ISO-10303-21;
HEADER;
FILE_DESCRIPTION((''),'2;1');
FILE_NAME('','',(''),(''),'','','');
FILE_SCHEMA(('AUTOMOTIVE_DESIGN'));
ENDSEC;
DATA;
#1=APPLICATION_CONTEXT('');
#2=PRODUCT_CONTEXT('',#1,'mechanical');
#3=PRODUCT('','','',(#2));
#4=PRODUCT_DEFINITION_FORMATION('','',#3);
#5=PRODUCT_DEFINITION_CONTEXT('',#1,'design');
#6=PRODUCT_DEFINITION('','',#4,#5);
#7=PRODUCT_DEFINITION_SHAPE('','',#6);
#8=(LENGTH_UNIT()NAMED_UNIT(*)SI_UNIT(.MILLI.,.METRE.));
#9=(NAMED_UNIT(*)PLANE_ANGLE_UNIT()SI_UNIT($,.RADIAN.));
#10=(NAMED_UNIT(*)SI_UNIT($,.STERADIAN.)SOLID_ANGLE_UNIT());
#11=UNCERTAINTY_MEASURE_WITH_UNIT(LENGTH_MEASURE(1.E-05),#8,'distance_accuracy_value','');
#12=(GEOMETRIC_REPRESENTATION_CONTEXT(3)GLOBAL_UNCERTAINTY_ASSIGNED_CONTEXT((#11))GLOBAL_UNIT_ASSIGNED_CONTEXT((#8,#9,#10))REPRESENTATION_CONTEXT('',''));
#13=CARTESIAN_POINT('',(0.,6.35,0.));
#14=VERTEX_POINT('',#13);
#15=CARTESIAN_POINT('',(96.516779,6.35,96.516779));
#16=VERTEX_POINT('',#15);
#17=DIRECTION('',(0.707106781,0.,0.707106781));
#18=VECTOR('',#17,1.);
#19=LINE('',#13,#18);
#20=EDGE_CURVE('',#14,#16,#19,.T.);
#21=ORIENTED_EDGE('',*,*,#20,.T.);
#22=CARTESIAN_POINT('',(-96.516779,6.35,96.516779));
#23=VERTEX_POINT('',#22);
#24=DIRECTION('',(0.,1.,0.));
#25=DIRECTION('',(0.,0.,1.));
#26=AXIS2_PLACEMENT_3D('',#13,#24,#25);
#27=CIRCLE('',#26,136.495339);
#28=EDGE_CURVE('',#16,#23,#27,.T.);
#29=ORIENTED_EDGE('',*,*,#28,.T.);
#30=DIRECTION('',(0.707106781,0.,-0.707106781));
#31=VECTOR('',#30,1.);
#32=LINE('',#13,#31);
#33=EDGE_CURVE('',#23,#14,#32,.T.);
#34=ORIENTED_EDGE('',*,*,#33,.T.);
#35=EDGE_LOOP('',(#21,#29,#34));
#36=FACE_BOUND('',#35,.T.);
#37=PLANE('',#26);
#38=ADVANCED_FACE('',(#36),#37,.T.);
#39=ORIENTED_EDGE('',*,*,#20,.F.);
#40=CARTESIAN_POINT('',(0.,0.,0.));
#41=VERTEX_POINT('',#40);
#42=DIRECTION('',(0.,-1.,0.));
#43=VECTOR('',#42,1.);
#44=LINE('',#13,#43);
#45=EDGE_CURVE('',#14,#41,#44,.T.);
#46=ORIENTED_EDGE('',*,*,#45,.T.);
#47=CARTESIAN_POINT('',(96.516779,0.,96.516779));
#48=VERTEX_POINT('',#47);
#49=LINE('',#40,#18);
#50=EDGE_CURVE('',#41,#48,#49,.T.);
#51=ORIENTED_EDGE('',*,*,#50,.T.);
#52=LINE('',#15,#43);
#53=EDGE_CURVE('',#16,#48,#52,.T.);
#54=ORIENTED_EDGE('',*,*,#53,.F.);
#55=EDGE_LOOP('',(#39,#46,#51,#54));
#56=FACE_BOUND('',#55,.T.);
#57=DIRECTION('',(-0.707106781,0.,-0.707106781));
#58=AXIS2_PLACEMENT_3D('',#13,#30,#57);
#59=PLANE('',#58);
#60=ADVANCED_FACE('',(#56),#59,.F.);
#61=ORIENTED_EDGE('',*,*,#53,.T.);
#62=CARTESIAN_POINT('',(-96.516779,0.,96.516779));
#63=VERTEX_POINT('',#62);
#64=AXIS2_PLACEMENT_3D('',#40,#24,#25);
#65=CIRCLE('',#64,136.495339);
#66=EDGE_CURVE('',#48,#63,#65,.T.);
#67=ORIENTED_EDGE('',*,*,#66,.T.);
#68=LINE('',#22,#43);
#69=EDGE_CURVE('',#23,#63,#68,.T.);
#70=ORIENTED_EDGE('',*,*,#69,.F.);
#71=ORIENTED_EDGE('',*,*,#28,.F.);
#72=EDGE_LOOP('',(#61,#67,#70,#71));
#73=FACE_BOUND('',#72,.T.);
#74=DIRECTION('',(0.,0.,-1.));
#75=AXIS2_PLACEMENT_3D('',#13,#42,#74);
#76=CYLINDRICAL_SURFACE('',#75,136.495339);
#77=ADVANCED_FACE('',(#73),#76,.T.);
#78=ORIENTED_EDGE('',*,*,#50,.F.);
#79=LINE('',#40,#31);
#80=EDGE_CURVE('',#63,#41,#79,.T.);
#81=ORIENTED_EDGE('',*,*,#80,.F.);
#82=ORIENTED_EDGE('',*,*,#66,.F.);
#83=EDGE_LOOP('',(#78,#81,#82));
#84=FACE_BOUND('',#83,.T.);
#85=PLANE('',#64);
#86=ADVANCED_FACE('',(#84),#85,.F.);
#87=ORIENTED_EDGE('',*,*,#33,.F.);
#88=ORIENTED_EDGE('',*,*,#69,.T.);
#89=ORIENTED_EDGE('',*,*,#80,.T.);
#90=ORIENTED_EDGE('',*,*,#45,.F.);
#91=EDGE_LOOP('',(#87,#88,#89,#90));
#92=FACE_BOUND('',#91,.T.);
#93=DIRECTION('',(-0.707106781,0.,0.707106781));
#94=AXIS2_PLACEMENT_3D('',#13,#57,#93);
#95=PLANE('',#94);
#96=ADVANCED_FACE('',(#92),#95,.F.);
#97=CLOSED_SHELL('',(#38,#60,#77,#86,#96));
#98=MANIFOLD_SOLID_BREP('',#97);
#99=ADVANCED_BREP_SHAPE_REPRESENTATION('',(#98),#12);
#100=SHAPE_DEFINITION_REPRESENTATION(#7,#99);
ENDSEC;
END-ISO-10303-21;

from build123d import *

# Parameters (mm, degrees)
BOSS_EXTRUDE1_DEPTH = 6.35


with BuildPart() as part:
    # Sketch1 → Boss-Extrude1 (new body)
    with BuildSketch(Plane(origin=(0, 0, 0), x_dir=(1, 0, 0), z_dir=(0, 1, 0))):
        with BuildLine():
            Line((0, 0), (-96.516779475, -96.516779475))
            ThreePointArc((-96.516779475, -96.516779475), (0, 136.49533853), (96.516779475, -96.516779475))
            Line((96.516779475, -96.516779475), (0, 0))
        make_face()
    extrude(amount=BOSS_EXTRUDE1_DEPTH)


solid = part.part
